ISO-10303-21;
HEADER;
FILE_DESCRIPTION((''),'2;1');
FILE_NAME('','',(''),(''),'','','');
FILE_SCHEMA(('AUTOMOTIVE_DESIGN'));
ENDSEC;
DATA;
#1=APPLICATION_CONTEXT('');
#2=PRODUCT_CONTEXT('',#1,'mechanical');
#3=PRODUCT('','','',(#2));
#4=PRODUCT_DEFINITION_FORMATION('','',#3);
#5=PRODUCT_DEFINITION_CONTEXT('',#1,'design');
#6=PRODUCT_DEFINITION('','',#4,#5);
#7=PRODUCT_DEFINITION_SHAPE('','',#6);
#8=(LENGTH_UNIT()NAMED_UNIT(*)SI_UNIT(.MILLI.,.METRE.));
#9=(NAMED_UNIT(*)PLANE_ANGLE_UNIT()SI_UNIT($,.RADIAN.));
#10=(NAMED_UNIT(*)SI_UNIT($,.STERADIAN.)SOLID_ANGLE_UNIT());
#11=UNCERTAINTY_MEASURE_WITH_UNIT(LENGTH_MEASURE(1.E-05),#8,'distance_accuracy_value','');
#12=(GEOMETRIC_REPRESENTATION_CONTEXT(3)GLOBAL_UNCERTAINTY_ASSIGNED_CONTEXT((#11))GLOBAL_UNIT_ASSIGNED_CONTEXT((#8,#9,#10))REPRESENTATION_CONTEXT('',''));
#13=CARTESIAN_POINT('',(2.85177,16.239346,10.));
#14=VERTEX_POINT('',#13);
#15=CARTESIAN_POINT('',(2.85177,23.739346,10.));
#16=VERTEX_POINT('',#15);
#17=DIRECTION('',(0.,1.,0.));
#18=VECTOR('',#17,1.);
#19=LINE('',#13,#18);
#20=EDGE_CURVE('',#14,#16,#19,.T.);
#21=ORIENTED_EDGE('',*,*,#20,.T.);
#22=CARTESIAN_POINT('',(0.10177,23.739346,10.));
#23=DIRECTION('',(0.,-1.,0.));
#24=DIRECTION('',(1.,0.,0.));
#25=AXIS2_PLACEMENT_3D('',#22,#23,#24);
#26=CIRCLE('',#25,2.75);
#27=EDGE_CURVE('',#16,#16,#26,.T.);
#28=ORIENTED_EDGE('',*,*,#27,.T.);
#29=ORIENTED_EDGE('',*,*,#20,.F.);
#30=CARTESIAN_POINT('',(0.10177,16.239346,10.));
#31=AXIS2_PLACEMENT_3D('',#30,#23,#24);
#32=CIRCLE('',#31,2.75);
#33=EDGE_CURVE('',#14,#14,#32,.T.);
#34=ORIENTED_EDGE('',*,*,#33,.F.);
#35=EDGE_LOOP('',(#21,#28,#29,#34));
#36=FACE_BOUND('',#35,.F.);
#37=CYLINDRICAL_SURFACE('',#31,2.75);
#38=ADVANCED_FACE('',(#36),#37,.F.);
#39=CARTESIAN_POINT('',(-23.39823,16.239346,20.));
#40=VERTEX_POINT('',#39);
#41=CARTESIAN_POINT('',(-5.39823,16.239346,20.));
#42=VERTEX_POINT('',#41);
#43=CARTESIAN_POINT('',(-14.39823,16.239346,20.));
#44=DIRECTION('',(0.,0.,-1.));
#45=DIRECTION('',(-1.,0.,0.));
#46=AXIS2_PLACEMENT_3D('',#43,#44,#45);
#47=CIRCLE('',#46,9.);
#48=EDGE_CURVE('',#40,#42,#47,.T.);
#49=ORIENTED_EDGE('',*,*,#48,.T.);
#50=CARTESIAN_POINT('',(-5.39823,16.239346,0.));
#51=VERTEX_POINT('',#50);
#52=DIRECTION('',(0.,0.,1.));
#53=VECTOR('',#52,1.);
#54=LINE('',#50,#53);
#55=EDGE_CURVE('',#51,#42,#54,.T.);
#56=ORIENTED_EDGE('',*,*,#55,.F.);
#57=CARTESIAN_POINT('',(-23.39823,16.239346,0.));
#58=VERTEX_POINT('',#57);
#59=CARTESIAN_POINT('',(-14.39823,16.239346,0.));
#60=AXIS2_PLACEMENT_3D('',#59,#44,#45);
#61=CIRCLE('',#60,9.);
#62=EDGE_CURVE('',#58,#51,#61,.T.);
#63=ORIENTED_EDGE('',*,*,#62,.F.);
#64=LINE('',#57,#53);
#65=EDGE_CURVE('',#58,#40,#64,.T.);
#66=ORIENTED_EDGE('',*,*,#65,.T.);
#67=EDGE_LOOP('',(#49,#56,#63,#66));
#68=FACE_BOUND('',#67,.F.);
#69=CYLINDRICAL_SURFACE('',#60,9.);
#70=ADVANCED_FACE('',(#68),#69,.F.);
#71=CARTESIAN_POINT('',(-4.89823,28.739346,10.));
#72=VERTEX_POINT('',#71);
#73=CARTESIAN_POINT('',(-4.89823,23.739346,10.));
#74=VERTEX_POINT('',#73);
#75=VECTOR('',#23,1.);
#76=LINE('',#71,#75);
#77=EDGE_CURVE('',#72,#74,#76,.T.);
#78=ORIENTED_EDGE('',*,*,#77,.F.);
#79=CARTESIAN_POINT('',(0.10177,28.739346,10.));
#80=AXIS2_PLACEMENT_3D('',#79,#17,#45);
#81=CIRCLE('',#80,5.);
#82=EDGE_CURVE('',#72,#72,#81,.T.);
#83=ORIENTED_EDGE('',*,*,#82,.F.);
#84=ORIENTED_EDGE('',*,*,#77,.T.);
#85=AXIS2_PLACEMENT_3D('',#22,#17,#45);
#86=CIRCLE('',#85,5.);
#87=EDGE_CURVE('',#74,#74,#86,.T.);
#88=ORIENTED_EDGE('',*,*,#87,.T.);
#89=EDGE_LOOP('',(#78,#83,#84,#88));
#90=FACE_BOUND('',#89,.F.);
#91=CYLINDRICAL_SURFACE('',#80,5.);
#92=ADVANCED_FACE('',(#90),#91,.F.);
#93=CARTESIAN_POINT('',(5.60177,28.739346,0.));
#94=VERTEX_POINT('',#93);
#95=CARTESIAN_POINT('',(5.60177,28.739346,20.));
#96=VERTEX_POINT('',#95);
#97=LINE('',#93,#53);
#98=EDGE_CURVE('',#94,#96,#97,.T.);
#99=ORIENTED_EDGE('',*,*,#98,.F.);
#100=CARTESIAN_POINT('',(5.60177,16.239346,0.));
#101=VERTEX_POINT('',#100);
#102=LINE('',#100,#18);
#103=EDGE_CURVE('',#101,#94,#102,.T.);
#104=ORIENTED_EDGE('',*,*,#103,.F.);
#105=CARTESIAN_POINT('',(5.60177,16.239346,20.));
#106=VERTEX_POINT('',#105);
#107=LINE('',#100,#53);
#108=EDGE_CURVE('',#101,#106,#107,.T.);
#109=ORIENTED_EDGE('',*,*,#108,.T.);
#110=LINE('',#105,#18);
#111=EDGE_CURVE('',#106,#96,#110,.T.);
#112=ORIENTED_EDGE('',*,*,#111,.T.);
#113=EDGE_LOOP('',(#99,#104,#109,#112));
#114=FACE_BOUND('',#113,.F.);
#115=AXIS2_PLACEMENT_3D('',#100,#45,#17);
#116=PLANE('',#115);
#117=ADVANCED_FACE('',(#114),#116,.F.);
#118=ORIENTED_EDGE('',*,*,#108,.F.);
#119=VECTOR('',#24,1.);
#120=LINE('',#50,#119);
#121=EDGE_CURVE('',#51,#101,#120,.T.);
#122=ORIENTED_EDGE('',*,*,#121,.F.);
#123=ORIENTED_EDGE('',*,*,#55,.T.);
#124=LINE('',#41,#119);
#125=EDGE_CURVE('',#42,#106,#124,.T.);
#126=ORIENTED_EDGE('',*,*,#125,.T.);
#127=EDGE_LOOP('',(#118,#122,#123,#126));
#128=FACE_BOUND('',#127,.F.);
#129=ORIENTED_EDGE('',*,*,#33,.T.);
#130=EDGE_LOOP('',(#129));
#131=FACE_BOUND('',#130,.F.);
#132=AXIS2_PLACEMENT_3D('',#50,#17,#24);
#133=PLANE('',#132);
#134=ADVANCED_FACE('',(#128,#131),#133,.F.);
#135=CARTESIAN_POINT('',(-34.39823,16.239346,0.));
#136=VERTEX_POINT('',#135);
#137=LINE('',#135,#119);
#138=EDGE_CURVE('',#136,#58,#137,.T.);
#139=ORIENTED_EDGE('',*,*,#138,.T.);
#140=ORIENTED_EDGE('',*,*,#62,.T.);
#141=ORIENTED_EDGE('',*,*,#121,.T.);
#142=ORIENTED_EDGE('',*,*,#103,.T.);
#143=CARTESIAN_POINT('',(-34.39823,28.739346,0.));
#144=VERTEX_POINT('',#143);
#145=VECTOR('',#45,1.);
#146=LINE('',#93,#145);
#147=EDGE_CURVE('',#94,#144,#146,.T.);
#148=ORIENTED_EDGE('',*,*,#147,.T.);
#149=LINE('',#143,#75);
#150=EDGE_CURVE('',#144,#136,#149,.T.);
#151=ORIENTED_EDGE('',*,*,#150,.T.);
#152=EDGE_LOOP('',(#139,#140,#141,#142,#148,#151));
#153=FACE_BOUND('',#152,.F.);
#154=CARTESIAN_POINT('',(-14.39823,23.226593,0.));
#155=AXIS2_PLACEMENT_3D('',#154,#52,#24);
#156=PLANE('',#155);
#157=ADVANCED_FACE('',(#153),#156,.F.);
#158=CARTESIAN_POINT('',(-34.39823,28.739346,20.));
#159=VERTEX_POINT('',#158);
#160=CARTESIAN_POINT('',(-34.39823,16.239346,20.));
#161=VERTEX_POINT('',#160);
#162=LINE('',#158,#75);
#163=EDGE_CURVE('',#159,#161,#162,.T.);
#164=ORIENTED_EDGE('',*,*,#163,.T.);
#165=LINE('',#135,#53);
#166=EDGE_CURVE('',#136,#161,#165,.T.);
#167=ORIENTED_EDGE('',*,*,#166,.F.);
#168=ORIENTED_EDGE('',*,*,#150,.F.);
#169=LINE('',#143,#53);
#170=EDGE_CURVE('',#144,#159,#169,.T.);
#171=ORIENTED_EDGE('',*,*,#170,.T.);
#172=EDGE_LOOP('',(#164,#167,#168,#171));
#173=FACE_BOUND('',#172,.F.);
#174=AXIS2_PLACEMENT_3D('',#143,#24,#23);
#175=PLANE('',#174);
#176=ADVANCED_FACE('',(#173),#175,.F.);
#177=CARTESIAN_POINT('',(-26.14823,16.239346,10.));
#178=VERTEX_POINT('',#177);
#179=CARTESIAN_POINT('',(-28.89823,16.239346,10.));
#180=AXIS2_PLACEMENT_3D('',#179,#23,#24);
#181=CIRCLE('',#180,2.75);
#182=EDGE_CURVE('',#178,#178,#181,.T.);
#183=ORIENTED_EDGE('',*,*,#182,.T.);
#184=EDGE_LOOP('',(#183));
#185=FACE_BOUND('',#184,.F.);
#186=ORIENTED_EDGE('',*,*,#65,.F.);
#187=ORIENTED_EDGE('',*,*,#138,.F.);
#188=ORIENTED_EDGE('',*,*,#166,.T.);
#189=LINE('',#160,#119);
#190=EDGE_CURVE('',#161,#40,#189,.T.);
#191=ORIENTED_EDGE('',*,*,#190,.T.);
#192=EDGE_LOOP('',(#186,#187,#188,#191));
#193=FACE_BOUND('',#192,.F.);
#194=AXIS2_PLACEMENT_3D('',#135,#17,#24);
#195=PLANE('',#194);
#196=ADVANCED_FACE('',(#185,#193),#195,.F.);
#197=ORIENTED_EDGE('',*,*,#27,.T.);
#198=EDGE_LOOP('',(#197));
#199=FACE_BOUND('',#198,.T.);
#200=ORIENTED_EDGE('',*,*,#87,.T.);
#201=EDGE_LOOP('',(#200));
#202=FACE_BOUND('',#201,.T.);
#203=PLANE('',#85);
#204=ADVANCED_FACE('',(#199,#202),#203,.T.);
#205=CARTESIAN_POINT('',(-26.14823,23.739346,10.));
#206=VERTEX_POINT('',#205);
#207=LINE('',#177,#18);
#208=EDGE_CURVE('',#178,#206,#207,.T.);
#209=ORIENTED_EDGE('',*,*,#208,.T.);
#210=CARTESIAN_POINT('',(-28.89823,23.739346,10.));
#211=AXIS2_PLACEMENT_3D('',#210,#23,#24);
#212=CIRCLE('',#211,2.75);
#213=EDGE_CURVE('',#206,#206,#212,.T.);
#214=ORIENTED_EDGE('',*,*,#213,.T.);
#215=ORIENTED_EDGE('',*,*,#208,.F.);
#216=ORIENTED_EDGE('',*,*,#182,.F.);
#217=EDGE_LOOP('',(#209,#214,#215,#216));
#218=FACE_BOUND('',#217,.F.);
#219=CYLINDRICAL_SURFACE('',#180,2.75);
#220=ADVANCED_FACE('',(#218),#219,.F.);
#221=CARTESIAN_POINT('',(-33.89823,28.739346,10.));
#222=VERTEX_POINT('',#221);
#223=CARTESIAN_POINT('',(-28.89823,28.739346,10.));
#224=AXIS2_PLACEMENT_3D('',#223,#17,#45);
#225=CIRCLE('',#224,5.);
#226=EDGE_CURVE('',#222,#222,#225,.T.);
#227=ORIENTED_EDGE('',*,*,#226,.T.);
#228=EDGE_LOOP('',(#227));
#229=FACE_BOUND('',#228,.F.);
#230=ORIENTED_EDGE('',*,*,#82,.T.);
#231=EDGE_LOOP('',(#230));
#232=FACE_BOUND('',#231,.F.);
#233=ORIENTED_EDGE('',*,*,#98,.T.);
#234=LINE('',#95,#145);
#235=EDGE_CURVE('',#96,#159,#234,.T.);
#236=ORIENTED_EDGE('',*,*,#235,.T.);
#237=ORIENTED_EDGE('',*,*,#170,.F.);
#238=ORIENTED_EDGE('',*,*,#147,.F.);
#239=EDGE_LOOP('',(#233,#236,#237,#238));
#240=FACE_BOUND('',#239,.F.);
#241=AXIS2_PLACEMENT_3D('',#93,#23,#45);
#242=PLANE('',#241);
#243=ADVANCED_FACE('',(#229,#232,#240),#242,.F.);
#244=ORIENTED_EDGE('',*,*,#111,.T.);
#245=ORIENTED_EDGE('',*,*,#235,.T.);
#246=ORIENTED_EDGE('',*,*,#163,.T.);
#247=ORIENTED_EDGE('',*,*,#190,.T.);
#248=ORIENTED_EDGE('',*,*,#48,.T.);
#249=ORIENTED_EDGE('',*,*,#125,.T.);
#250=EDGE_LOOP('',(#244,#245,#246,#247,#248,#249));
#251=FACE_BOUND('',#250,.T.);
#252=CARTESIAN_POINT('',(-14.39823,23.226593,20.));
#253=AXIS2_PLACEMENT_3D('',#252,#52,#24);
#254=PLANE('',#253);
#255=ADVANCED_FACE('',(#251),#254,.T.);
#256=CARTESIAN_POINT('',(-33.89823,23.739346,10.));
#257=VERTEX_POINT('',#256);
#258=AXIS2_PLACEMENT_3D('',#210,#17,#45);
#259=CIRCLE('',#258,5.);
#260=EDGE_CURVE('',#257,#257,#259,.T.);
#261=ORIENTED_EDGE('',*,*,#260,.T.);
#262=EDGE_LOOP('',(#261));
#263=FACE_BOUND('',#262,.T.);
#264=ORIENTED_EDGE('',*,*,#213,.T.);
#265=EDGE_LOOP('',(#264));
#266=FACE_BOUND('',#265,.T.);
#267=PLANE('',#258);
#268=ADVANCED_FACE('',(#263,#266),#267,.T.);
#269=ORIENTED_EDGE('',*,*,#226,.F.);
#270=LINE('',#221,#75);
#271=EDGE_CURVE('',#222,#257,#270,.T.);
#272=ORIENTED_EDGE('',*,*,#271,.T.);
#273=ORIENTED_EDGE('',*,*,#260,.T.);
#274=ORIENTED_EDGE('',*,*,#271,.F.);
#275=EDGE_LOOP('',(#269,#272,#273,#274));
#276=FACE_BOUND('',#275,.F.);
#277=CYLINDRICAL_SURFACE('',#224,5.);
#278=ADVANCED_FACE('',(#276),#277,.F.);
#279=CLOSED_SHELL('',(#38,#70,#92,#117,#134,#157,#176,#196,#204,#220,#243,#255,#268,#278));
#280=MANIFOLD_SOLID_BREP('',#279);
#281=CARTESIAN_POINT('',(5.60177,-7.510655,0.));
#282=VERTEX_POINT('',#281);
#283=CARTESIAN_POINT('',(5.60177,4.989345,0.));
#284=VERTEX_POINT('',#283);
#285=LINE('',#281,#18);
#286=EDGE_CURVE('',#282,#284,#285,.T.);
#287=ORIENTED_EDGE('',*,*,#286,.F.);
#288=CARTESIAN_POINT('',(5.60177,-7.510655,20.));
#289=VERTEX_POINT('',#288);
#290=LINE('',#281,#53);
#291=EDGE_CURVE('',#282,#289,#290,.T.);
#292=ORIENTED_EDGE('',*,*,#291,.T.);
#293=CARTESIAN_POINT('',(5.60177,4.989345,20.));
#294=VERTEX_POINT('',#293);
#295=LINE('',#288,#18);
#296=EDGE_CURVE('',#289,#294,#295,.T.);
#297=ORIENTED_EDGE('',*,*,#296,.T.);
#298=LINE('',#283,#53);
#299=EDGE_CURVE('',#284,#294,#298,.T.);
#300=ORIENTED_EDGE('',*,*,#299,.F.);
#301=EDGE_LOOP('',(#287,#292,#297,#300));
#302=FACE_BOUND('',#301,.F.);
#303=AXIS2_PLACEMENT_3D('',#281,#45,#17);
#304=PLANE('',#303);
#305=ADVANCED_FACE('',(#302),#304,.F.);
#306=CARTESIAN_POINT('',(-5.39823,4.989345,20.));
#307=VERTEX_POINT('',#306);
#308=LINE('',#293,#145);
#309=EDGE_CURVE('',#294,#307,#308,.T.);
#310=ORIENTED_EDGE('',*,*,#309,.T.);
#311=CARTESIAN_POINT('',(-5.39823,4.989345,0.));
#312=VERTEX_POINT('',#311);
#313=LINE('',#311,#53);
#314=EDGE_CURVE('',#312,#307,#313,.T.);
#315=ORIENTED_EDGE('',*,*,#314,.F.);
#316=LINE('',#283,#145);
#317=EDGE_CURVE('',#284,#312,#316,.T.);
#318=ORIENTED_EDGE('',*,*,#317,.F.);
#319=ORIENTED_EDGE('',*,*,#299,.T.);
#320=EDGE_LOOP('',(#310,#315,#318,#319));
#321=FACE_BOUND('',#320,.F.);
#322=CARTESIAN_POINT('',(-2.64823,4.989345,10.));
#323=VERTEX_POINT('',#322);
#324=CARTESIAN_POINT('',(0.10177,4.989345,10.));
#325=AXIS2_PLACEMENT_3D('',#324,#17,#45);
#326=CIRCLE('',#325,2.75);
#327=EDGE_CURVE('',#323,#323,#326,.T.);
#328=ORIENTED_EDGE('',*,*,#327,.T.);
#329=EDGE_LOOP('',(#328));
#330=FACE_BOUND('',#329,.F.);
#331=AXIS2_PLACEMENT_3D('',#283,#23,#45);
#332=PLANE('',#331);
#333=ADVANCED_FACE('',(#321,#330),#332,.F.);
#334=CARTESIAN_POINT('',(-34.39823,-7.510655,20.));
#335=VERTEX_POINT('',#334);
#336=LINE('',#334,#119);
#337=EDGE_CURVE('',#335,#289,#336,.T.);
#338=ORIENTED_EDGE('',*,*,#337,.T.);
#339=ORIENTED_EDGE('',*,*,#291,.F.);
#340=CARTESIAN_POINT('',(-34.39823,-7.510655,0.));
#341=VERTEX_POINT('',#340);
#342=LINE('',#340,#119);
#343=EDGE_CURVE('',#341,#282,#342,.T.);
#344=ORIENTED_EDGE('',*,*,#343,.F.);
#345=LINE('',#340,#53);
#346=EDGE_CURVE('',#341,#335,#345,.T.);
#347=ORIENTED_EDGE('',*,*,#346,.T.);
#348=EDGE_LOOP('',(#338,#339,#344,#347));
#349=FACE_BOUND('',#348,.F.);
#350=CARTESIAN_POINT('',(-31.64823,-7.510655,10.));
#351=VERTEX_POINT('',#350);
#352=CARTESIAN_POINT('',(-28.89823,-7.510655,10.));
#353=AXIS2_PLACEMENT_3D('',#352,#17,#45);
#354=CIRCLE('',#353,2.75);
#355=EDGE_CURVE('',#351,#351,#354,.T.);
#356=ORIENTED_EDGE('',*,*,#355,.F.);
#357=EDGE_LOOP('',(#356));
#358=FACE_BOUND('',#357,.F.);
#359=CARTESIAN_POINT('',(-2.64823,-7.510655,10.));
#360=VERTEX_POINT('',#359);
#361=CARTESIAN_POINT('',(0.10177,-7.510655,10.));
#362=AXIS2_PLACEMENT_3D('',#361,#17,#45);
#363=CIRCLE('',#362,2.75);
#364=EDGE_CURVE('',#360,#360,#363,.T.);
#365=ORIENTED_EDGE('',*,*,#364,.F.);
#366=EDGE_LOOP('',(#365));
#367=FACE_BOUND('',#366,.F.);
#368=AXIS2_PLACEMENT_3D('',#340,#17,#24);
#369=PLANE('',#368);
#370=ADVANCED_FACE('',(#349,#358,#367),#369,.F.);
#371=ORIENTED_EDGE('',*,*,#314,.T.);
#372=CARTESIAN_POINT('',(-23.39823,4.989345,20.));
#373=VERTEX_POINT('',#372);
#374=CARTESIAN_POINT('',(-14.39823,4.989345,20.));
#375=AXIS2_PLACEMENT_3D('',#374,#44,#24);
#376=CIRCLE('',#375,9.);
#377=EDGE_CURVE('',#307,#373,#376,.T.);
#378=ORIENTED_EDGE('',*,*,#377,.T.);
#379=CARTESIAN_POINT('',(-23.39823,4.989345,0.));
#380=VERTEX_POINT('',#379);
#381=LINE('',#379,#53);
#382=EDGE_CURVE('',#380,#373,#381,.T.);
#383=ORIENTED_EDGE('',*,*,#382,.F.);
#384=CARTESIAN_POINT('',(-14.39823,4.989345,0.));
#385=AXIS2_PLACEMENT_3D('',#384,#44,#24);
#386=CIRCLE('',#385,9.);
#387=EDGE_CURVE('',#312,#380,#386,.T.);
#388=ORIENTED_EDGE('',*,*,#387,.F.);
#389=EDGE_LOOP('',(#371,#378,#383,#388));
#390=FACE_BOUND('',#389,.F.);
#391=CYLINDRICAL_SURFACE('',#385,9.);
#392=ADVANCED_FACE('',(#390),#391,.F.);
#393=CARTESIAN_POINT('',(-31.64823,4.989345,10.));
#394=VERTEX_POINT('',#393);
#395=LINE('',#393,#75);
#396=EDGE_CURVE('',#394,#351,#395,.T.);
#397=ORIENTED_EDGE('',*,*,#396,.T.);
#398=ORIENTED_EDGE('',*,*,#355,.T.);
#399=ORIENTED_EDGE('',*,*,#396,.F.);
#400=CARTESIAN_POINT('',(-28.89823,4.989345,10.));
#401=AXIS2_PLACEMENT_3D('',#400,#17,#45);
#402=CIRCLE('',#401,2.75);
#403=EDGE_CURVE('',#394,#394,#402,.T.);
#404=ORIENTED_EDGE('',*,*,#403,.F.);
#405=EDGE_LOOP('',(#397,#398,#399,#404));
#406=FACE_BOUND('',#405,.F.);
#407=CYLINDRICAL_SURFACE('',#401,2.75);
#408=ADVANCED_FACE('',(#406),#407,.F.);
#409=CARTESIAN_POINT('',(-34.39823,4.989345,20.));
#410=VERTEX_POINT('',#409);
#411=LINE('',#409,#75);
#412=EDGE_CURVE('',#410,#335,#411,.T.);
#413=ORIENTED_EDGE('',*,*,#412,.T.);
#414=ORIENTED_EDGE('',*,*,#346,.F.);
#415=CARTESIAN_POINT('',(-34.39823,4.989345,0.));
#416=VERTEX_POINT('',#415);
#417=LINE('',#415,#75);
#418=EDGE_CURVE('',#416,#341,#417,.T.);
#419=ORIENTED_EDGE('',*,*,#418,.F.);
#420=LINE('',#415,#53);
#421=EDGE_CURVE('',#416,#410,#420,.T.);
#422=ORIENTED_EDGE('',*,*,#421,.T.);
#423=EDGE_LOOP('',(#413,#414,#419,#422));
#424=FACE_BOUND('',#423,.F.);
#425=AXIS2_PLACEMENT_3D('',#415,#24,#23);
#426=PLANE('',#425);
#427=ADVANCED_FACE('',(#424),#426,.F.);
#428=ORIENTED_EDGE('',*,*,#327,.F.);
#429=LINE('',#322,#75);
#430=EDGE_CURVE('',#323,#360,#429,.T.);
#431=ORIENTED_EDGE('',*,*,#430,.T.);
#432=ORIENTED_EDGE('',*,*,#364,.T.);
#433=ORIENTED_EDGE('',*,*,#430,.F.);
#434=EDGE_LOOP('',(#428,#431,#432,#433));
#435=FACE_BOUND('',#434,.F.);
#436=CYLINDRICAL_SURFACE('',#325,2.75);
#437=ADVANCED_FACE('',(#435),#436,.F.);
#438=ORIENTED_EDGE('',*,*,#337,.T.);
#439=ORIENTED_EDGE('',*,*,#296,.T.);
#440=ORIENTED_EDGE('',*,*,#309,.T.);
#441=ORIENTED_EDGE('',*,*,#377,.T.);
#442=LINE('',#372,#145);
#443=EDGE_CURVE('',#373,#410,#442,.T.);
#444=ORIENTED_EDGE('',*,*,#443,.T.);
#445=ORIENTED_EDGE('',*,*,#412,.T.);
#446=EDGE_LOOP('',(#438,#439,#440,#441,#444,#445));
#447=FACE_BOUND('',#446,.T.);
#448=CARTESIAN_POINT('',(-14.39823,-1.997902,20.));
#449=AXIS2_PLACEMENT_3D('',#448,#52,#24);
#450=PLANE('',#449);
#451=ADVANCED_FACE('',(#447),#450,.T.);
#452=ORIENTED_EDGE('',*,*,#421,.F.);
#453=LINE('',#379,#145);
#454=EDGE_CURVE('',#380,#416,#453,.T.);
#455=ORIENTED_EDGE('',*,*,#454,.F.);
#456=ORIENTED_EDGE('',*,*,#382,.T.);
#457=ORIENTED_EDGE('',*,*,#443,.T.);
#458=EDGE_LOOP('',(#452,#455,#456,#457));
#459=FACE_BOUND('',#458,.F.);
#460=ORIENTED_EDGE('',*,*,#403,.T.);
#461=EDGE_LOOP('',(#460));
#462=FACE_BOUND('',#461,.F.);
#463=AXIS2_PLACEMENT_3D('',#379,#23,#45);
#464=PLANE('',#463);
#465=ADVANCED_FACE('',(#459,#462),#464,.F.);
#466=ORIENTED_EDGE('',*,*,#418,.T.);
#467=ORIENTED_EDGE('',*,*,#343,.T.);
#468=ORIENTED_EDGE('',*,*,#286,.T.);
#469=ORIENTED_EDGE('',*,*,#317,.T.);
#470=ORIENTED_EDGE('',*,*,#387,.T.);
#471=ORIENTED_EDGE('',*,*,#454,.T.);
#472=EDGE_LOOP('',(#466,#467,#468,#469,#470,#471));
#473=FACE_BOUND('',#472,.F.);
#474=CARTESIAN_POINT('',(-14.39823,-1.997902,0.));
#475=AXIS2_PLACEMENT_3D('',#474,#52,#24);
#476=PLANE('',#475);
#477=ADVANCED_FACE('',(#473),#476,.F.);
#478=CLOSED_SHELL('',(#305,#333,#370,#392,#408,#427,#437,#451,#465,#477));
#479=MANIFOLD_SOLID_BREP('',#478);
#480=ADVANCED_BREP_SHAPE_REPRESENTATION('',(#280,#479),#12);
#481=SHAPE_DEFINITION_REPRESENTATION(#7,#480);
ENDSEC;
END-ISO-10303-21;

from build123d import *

# Parameters (mm, degrees)
F1_DEPTH = 20
F2_R     = 2.75
F3_DEPTH = 25
F4_R     = 2.75
F5_DEPTH = 12.5
F6_R     = 5
F7_DEPTH = 5


with BuildPart() as f1:
    # F0 (on Top) → F1 (new body)
    with BuildSketch(Plane.XY):
        with BuildLine():
            Line((-34.39823, 28.739346), (-34.39823, 16.239346))
            Line((-34.39823, 16.239346), (-23.39823, 16.239346))
            ThreePointArc((-23.39823, 16.239346), (-14.39823, 25.239346), (-5.39823, 16.239346))
            Line((-5.39823, 16.239346), (5.60177, 16.239346))
            Line((5.60177, 16.239346), (5.60177, 28.739346))
            Line((5.60177, 28.739346), (-34.39823, 28.739346))
        make_face()
        with BuildLine():
            Line((-23.39823, 4.989345), (-34.39823, 4.989345))
            Line((-34.39823, 4.989345), (-34.39823, -7.510655))
            Line((-34.39823, -7.510655), (5.60177, -7.510655))
            Line((5.60177, -7.510655), (5.60177, 4.989345))
            Line((5.60177, 4.989345), (-5.39823, 4.989345))
            ThreePointArc((-5.39823, 4.989345), (-14.39823, -4.010655), (-23.39823, 4.989345))
        make_face()
    extrude(amount=F1_DEPTH)

    # F2 (on face) → F3 (cut)
    with BuildSketch(Plane(origin=(0, 4.989345, 0), x_dir=(-1, 0, 0), z_dir=(0, 1, 0))):
        with Locations((-0.10177, 10)):
            Circle(F2_R)
        with Locations((28.89823, 10)):
            Circle(F2_R)
    extrude(amount=-F3_DEPTH, mode=Mode.SUBTRACT)

    # F4 (on face) → F5 (cut)
    with BuildSketch(Plane.XZ.offset(-16.239346)):
        with Locations((-28.89823, 10)):
            Circle(F4_R)
        with Locations((0.10177, 10)):
            Circle(F4_R)
    extrude(amount=-F5_DEPTH, mode=Mode.SUBTRACT)

    # F6 (on face) → F7 (cut)
    with BuildSketch(Plane(origin=(0, 28.739346, 0), x_dir=(-1, 0, 0), z_dir=(0, 1, 0))):
        with Locations((-0.10177, 10)):
            Circle(F6_R)
        with Locations((28.89823, 10)):
            Circle(F6_R)
    extrude(amount=-F7_DEPTH, mode=Mode.SUBTRACT)


solid = f1.part
